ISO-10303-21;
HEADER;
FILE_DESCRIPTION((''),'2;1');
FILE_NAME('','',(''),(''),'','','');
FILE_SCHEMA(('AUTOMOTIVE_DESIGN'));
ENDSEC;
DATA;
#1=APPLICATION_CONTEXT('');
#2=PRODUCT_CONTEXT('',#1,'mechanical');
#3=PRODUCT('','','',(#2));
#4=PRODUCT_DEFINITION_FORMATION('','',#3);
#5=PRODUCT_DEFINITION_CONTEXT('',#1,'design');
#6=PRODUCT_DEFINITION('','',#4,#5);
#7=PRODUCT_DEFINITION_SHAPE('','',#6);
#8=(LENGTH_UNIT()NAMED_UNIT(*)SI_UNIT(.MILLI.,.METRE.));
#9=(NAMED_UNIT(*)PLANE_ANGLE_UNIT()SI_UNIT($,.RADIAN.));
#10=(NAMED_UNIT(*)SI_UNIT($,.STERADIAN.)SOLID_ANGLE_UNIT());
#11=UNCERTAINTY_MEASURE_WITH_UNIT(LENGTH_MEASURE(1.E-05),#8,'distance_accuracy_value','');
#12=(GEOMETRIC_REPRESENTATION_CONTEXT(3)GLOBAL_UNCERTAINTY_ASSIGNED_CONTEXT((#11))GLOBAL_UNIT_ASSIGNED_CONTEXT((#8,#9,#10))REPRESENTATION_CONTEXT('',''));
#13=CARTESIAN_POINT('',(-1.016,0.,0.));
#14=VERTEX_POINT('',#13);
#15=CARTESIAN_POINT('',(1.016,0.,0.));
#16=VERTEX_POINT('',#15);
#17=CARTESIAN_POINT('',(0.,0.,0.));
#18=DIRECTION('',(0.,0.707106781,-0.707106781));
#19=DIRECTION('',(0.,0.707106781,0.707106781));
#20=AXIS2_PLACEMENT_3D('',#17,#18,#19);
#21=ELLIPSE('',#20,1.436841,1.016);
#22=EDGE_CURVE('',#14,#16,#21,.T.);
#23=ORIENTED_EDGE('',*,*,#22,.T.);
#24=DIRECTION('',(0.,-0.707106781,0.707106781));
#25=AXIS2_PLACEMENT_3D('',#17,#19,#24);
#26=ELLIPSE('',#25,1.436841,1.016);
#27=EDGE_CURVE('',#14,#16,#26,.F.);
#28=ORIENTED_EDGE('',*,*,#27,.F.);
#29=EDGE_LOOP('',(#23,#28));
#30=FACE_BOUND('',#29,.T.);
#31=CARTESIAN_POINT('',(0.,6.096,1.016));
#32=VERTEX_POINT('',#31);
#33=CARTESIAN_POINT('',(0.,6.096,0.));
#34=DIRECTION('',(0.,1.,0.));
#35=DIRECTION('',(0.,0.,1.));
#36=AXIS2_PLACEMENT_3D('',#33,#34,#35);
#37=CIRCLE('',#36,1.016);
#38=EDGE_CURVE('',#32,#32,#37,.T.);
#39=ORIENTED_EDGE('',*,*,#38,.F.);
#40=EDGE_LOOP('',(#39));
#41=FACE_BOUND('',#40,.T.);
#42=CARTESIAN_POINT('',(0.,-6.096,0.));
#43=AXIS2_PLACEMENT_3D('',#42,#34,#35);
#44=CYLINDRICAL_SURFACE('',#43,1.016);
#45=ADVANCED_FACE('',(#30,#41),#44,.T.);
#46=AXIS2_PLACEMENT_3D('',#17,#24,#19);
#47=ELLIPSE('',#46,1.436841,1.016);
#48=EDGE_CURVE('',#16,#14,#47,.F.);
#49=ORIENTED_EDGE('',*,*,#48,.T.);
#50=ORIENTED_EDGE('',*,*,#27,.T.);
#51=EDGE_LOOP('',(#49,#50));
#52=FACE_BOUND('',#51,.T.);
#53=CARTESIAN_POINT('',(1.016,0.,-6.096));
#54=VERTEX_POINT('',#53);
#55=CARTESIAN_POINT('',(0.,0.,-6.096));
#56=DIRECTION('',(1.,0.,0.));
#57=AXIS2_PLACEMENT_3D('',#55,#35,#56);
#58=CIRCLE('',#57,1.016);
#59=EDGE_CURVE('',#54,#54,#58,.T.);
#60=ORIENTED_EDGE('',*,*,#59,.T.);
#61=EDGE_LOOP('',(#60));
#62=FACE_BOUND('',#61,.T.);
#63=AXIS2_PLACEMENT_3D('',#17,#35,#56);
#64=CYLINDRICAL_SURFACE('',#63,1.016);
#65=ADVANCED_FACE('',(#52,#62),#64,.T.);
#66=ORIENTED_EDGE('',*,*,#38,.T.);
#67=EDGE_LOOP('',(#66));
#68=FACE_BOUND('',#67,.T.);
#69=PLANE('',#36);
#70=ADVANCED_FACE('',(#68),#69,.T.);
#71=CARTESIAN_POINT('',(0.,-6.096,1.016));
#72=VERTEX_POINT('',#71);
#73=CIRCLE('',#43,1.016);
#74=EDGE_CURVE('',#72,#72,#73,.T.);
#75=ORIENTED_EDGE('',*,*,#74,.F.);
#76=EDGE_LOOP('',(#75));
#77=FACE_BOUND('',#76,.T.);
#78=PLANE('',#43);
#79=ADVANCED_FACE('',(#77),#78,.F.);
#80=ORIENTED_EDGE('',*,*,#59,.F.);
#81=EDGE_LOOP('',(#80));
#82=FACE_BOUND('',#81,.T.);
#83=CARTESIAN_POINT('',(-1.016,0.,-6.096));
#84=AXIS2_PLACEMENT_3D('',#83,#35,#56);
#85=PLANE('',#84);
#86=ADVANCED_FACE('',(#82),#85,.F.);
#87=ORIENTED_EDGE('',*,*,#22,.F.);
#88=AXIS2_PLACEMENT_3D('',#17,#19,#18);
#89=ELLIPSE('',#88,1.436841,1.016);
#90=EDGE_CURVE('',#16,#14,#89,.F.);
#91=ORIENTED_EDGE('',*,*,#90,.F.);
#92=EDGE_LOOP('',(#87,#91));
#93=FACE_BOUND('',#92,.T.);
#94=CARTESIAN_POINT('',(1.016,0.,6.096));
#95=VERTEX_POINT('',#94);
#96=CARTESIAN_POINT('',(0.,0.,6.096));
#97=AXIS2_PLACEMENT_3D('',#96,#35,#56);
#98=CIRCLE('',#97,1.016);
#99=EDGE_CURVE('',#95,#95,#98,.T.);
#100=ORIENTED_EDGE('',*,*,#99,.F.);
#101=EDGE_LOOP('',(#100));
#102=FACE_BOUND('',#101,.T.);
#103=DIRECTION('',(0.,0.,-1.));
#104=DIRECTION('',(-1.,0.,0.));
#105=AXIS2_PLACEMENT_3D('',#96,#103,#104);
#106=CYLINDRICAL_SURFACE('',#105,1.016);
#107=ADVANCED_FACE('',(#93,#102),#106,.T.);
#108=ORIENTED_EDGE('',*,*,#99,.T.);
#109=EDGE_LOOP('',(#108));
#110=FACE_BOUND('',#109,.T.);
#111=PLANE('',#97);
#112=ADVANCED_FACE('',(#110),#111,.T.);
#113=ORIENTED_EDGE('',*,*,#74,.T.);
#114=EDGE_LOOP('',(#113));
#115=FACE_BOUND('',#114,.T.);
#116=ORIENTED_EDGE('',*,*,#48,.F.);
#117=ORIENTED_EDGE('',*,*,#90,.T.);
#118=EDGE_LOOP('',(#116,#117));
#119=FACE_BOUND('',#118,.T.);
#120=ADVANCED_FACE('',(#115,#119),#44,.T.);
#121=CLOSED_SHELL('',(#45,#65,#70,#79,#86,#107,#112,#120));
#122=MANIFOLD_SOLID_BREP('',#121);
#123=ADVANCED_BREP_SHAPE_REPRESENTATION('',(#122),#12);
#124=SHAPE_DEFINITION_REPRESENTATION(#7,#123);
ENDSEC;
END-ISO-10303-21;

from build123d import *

# Parameters (mm, degrees)
SKETCH1_W                = 1.016
SKETCH1_H                = 6.096
BOSS_EXTRUDE1_DEPTH      = 6.096
BOSS_EXTRUDE1_DEPTH_BACK = 6.096
SKETCH2_R                = 1.016
BOSS_EXTRUDE2_START      = 6.096
SKETCH3_R                = 1.016
BOSS_EXTRUDE2_DEPTH      = 6.096


with BuildPart() as part:
    # Sketch1 → Revolve2 (revolve)
    with BuildSketch(Plane(origin=(0, 0, 0), x_dir=(1, 0, 0), z_dir=(0, 1, 0))):
        with Locations((-0.508, 3.048)):
            Rectangle(SKETCH1_W, SKETCH1_H)
    revolve(axis=Axis((0, 0, 0), (0, 0, -1)))

    # Sketch2 → Boss-Extrude1 (add, two sides: drawn at the far end of the back side and taken through both)
    with BuildSketch(Plane(origin=(0, 0, 0), x_dir=(1, 0, 0), z_dir=(0, 1, 0)).offset(-BOSS_EXTRUDE1_DEPTH_BACK)):
        Circle(SKETCH2_R)
    extrude(amount=BOSS_EXTRUDE1_DEPTH + BOSS_EXTRUDE1_DEPTH_BACK)

    # Sketch3 → Boss-Extrude2 (add)
    with BuildSketch(Plane.XY.offset(BOSS_EXTRUDE2_START)):
        Circle(SKETCH3_R)
    extrude(amount=-BOSS_EXTRUDE2_DEPTH)


solid = part.part
